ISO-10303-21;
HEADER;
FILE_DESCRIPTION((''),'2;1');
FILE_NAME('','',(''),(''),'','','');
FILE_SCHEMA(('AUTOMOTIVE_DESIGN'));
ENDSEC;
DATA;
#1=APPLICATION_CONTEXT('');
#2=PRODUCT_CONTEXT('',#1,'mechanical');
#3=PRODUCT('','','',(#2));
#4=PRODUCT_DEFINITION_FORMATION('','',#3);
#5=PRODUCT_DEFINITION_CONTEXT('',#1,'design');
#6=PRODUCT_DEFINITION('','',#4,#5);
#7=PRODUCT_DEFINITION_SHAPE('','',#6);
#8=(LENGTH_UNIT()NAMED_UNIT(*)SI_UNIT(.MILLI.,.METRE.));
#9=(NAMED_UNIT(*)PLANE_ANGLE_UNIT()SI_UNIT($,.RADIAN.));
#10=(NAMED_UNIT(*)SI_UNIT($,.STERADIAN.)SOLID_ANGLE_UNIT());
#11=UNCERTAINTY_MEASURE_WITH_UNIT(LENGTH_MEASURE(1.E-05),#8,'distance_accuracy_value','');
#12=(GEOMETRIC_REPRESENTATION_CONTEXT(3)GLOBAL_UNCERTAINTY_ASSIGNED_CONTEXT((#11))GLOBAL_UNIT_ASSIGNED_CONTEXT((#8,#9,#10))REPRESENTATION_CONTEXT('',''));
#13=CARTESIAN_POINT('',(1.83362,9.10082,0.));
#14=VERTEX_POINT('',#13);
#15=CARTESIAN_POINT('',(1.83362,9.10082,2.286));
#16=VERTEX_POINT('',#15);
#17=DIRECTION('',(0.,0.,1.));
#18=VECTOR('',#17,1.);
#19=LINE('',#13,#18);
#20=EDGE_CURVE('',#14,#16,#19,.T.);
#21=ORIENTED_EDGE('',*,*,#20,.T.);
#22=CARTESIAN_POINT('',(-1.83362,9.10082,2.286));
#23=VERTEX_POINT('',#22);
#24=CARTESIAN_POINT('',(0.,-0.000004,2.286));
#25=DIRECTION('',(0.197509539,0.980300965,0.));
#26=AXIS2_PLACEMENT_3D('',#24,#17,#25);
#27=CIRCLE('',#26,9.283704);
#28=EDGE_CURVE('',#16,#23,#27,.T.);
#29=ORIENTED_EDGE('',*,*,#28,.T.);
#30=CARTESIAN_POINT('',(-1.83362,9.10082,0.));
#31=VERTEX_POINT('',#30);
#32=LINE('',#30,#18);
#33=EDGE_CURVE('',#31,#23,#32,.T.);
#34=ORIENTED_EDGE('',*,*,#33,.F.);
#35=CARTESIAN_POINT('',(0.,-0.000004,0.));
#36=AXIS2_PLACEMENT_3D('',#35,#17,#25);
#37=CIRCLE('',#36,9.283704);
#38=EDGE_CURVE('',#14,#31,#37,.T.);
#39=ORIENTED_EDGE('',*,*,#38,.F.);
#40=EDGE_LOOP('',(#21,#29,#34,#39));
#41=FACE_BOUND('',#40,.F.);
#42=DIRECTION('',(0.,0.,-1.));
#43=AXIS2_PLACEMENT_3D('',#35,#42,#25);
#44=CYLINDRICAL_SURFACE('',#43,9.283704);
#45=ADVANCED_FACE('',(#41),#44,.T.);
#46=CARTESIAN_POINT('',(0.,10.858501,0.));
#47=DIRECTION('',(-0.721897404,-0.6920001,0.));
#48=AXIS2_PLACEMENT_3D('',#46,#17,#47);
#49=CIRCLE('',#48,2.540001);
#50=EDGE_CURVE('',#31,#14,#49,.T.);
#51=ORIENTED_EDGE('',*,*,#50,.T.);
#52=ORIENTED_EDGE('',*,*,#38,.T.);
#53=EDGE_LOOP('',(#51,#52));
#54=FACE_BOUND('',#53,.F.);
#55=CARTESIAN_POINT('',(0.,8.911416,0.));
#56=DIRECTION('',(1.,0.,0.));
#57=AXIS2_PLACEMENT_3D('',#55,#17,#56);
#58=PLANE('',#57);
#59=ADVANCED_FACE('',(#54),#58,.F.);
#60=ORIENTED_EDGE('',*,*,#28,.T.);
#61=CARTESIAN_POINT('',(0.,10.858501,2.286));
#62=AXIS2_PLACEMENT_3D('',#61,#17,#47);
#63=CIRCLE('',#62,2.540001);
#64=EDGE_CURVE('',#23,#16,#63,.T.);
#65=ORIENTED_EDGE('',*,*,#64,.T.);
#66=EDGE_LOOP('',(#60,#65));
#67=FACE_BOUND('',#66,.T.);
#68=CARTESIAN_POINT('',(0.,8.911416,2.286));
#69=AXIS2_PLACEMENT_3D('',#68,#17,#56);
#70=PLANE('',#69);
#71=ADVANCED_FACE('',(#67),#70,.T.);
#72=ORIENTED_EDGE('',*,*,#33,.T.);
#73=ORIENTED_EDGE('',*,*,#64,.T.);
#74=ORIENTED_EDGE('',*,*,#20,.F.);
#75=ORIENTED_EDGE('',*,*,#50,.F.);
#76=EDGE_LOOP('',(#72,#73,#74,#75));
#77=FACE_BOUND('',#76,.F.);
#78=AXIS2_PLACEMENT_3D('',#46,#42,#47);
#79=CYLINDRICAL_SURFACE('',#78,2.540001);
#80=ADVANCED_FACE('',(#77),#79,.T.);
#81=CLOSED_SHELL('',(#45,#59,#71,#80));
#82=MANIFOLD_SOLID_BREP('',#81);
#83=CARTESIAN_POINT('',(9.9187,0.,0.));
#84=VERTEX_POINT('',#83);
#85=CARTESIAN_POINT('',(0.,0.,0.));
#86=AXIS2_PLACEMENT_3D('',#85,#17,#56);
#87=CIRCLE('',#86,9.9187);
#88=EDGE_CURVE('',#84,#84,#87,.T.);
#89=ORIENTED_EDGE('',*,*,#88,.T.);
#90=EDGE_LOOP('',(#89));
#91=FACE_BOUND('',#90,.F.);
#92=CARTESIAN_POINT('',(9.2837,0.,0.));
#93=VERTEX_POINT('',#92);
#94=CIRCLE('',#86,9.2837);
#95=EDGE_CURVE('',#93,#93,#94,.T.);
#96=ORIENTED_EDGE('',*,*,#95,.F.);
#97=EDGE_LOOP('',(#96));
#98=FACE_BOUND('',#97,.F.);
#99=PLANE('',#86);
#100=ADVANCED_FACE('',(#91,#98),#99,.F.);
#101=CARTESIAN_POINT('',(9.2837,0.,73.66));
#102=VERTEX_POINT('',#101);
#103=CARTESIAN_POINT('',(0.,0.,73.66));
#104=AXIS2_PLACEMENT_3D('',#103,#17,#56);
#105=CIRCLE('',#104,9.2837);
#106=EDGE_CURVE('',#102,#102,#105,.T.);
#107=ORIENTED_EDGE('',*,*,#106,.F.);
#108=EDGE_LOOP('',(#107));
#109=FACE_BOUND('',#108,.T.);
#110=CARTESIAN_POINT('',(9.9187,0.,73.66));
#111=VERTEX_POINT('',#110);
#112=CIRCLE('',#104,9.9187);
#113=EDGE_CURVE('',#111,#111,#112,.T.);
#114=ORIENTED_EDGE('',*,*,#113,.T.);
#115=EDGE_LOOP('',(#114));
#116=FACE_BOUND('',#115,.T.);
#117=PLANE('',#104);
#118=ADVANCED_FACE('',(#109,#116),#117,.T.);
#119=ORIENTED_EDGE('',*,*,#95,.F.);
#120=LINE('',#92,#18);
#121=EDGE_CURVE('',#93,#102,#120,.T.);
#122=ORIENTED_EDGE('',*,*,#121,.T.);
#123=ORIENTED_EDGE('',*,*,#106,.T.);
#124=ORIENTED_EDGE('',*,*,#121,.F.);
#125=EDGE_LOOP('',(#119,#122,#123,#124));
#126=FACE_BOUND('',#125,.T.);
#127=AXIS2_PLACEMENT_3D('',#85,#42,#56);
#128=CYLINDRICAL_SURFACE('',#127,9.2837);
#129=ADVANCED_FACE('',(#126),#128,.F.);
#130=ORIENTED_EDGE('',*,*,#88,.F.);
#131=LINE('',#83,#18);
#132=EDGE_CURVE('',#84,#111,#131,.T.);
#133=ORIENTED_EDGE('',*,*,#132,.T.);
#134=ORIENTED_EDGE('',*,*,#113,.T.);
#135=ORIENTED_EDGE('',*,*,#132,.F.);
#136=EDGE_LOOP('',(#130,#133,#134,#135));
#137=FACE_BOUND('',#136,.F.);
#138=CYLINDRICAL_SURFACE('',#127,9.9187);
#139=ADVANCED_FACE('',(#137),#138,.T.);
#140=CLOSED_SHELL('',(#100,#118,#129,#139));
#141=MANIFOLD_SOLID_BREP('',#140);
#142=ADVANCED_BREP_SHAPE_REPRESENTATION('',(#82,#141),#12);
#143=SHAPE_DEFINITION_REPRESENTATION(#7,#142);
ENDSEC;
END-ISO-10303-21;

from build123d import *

# Parameters (mm, degrees)
F0_R     = 9.9187
F0_R_2   = 9.2837
F1_DEPTH = 73.66
F3_DEPTH = 2.286


with BuildPart() as f1:
    # F0 (on Top) → F1 (new body)
    with BuildSketch(Plane.XY):
        Circle(F0_R)
        Circle(F0_R_2, mode=Mode.SUBTRACT)
    extrude(amount=F1_DEPTH)


with BuildPart() as f3:
    # F2 (on Top) → F3 (new body)
    with BuildSketch(Plane.XY):
        with BuildLine():
            ThreePointArc((-1.83362, 9.10082), (0, 8.3185), (1.83362, 9.10082))
            ThreePointArc((1.83362, 9.10082), (0, 9.2837), (-1.83362, 9.10082))
        make_face()
    extrude(amount=F3_DEPTH)


solid = Compound([f1.part, f3.part])
